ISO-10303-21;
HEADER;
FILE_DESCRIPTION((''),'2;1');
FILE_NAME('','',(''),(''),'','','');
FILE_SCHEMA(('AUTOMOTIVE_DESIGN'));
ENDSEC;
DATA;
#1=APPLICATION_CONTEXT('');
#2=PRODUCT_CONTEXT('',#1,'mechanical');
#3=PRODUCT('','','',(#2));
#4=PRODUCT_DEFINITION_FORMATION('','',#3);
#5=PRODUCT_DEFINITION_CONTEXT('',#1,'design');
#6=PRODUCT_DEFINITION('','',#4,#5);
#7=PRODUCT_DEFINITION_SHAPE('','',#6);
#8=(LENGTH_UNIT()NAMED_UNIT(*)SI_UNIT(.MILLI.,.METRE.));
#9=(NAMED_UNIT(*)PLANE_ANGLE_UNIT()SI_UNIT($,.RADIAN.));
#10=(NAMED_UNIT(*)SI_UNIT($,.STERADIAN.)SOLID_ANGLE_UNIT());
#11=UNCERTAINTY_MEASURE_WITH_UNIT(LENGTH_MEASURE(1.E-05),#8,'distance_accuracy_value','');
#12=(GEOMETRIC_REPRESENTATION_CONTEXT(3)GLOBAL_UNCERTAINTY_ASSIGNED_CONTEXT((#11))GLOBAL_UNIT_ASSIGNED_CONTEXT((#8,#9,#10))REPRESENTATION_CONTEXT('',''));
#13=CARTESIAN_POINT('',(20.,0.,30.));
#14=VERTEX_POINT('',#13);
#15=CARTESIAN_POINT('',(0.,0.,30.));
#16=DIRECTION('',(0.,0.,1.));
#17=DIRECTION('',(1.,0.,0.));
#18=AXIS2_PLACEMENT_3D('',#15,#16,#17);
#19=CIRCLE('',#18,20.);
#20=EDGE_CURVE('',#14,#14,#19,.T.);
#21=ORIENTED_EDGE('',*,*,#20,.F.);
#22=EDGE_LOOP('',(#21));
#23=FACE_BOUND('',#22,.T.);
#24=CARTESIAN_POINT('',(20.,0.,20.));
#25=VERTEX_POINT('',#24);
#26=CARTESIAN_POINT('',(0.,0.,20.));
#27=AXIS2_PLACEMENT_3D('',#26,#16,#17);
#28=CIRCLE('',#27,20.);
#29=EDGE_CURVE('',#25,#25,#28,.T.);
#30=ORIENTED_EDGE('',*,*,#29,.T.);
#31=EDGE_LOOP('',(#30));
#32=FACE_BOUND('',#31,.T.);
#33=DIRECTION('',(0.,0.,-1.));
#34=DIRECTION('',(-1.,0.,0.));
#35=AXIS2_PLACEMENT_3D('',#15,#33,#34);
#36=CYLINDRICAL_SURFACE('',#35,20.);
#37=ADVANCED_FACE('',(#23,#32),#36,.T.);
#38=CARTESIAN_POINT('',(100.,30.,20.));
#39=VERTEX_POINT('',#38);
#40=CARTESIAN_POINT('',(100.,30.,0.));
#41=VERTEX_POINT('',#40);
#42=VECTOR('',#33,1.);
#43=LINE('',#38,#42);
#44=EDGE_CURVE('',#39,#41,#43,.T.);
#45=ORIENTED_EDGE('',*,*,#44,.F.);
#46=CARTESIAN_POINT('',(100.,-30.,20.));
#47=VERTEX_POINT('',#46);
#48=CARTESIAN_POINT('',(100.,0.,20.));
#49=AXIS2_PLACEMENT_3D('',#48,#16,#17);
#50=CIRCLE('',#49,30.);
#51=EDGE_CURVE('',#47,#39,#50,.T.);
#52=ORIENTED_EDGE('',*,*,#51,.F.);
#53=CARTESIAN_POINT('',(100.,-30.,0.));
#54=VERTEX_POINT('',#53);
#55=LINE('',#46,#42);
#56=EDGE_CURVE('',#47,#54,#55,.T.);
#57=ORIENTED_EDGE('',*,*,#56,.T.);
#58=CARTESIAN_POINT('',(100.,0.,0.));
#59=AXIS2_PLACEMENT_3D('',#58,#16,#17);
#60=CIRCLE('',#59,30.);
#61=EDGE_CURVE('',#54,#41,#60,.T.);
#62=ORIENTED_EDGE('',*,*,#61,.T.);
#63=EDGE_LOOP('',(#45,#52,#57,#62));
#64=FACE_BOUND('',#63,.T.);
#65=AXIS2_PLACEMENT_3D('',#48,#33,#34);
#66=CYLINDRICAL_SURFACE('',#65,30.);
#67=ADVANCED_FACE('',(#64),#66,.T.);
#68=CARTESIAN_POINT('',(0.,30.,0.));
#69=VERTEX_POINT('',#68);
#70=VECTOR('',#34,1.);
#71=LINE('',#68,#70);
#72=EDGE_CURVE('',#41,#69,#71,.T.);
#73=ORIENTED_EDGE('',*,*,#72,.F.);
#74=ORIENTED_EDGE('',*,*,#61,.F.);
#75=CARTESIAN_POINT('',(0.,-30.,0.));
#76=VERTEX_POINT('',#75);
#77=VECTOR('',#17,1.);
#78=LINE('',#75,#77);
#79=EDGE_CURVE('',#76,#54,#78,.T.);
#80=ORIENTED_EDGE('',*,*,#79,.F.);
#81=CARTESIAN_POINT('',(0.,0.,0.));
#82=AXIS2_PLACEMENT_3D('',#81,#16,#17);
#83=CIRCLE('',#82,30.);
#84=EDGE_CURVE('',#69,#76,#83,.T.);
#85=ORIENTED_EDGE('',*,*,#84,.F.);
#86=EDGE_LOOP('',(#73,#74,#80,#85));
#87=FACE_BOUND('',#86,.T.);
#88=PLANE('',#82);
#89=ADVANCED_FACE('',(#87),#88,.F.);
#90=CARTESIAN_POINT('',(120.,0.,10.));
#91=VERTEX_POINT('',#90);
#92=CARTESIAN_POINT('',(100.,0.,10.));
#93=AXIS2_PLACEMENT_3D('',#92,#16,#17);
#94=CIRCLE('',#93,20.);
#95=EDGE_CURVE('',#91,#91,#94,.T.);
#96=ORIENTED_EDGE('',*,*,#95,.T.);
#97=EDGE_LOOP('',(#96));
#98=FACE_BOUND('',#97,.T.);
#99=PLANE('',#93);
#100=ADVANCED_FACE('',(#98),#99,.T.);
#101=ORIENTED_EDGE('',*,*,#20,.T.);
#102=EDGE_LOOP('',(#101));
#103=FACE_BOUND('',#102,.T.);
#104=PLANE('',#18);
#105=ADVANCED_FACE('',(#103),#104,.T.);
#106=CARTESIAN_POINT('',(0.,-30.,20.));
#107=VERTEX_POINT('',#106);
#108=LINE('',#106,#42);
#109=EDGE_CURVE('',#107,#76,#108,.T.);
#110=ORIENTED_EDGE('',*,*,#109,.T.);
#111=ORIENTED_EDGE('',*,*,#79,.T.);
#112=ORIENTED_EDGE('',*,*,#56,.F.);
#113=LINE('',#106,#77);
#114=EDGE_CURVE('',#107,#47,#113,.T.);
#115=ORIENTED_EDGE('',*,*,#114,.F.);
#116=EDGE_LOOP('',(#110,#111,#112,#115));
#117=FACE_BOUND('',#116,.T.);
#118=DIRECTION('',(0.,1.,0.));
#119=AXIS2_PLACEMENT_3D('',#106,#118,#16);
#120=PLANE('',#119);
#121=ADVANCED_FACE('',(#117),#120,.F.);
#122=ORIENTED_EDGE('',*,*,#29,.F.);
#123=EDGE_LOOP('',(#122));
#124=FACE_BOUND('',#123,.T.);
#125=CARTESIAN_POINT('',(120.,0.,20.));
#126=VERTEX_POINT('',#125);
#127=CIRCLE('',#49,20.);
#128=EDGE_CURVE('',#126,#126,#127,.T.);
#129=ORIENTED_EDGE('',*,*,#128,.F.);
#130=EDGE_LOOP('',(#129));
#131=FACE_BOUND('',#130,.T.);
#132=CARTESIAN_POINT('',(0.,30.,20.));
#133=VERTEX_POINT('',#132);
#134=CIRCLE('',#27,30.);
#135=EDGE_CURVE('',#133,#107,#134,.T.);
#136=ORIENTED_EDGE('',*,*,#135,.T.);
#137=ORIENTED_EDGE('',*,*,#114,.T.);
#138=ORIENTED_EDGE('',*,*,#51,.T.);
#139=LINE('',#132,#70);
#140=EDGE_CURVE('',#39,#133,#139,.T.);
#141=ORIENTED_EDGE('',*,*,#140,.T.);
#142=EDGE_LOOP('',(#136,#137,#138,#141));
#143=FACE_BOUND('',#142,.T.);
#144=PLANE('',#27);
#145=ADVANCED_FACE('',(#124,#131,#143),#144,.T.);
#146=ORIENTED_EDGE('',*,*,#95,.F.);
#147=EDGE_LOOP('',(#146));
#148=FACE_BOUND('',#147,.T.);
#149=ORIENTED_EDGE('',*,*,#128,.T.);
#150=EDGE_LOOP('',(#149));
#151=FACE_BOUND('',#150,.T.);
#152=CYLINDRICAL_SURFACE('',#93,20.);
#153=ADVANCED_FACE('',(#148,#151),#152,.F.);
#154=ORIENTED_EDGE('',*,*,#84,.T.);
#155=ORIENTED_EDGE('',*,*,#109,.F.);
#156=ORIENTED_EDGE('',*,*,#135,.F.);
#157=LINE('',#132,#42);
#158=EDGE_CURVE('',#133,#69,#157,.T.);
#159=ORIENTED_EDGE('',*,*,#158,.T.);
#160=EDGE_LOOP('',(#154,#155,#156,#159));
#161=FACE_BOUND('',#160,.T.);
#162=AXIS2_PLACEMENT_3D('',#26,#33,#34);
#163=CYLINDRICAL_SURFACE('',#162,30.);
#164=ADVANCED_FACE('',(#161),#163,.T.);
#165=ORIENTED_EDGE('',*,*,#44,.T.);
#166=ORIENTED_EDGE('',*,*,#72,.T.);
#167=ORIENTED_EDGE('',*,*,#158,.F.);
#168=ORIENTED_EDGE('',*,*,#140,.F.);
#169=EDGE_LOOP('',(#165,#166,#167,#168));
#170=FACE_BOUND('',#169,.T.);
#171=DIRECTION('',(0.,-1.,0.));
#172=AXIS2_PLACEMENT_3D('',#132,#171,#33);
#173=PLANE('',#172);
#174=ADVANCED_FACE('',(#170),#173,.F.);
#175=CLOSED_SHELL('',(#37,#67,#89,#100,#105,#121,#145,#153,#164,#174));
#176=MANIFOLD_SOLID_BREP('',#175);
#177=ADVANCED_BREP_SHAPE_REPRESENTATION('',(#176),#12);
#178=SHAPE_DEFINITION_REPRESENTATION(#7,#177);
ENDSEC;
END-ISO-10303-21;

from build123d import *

# Parameters (mm, degrees)
SALIENTE_EXTRUIR1_DEPTH = 20
CROQUIS2_R              = 20
SALIENTE_EXTRUIR2_DEPTH = 10
CROQUIS3_R              = 20
CORTAR_EXTRUIR1_DEPTH   = 10


with BuildPart() as part:
    # Croquis1 → Saliente-Extruir1 (new body)
    with BuildSketch(Plane.XY):
        with BuildLine():
            Line((0, 30), (100, 30))
            ThreePointArc((100, 30), (130, 0), (100, -30))
            Line((100, -30), (0, -30))
            ThreePointArc((0, -30), (-30, 0), (0, 30))
        make_face()
    extrude(amount=SALIENTE_EXTRUIR1_DEPTH)

    # Croquis2 → Saliente-Extruir2 (add)
    with BuildSketch(Plane.XY.offset(20)):
        Circle(CROQUIS2_R)
    extrude(amount=SALIENTE_EXTRUIR2_DEPTH)

    # Croquis3 → Cortar-Extruir1 (cut)
    with BuildSketch(Plane.XY.offset(20)):
        with Locations((100, 0)):
            Circle(CROQUIS3_R)
    extrude(amount=-CORTAR_EXTRUIR1_DEPTH, mode=Mode.SUBTRACT)


solid = part.part
